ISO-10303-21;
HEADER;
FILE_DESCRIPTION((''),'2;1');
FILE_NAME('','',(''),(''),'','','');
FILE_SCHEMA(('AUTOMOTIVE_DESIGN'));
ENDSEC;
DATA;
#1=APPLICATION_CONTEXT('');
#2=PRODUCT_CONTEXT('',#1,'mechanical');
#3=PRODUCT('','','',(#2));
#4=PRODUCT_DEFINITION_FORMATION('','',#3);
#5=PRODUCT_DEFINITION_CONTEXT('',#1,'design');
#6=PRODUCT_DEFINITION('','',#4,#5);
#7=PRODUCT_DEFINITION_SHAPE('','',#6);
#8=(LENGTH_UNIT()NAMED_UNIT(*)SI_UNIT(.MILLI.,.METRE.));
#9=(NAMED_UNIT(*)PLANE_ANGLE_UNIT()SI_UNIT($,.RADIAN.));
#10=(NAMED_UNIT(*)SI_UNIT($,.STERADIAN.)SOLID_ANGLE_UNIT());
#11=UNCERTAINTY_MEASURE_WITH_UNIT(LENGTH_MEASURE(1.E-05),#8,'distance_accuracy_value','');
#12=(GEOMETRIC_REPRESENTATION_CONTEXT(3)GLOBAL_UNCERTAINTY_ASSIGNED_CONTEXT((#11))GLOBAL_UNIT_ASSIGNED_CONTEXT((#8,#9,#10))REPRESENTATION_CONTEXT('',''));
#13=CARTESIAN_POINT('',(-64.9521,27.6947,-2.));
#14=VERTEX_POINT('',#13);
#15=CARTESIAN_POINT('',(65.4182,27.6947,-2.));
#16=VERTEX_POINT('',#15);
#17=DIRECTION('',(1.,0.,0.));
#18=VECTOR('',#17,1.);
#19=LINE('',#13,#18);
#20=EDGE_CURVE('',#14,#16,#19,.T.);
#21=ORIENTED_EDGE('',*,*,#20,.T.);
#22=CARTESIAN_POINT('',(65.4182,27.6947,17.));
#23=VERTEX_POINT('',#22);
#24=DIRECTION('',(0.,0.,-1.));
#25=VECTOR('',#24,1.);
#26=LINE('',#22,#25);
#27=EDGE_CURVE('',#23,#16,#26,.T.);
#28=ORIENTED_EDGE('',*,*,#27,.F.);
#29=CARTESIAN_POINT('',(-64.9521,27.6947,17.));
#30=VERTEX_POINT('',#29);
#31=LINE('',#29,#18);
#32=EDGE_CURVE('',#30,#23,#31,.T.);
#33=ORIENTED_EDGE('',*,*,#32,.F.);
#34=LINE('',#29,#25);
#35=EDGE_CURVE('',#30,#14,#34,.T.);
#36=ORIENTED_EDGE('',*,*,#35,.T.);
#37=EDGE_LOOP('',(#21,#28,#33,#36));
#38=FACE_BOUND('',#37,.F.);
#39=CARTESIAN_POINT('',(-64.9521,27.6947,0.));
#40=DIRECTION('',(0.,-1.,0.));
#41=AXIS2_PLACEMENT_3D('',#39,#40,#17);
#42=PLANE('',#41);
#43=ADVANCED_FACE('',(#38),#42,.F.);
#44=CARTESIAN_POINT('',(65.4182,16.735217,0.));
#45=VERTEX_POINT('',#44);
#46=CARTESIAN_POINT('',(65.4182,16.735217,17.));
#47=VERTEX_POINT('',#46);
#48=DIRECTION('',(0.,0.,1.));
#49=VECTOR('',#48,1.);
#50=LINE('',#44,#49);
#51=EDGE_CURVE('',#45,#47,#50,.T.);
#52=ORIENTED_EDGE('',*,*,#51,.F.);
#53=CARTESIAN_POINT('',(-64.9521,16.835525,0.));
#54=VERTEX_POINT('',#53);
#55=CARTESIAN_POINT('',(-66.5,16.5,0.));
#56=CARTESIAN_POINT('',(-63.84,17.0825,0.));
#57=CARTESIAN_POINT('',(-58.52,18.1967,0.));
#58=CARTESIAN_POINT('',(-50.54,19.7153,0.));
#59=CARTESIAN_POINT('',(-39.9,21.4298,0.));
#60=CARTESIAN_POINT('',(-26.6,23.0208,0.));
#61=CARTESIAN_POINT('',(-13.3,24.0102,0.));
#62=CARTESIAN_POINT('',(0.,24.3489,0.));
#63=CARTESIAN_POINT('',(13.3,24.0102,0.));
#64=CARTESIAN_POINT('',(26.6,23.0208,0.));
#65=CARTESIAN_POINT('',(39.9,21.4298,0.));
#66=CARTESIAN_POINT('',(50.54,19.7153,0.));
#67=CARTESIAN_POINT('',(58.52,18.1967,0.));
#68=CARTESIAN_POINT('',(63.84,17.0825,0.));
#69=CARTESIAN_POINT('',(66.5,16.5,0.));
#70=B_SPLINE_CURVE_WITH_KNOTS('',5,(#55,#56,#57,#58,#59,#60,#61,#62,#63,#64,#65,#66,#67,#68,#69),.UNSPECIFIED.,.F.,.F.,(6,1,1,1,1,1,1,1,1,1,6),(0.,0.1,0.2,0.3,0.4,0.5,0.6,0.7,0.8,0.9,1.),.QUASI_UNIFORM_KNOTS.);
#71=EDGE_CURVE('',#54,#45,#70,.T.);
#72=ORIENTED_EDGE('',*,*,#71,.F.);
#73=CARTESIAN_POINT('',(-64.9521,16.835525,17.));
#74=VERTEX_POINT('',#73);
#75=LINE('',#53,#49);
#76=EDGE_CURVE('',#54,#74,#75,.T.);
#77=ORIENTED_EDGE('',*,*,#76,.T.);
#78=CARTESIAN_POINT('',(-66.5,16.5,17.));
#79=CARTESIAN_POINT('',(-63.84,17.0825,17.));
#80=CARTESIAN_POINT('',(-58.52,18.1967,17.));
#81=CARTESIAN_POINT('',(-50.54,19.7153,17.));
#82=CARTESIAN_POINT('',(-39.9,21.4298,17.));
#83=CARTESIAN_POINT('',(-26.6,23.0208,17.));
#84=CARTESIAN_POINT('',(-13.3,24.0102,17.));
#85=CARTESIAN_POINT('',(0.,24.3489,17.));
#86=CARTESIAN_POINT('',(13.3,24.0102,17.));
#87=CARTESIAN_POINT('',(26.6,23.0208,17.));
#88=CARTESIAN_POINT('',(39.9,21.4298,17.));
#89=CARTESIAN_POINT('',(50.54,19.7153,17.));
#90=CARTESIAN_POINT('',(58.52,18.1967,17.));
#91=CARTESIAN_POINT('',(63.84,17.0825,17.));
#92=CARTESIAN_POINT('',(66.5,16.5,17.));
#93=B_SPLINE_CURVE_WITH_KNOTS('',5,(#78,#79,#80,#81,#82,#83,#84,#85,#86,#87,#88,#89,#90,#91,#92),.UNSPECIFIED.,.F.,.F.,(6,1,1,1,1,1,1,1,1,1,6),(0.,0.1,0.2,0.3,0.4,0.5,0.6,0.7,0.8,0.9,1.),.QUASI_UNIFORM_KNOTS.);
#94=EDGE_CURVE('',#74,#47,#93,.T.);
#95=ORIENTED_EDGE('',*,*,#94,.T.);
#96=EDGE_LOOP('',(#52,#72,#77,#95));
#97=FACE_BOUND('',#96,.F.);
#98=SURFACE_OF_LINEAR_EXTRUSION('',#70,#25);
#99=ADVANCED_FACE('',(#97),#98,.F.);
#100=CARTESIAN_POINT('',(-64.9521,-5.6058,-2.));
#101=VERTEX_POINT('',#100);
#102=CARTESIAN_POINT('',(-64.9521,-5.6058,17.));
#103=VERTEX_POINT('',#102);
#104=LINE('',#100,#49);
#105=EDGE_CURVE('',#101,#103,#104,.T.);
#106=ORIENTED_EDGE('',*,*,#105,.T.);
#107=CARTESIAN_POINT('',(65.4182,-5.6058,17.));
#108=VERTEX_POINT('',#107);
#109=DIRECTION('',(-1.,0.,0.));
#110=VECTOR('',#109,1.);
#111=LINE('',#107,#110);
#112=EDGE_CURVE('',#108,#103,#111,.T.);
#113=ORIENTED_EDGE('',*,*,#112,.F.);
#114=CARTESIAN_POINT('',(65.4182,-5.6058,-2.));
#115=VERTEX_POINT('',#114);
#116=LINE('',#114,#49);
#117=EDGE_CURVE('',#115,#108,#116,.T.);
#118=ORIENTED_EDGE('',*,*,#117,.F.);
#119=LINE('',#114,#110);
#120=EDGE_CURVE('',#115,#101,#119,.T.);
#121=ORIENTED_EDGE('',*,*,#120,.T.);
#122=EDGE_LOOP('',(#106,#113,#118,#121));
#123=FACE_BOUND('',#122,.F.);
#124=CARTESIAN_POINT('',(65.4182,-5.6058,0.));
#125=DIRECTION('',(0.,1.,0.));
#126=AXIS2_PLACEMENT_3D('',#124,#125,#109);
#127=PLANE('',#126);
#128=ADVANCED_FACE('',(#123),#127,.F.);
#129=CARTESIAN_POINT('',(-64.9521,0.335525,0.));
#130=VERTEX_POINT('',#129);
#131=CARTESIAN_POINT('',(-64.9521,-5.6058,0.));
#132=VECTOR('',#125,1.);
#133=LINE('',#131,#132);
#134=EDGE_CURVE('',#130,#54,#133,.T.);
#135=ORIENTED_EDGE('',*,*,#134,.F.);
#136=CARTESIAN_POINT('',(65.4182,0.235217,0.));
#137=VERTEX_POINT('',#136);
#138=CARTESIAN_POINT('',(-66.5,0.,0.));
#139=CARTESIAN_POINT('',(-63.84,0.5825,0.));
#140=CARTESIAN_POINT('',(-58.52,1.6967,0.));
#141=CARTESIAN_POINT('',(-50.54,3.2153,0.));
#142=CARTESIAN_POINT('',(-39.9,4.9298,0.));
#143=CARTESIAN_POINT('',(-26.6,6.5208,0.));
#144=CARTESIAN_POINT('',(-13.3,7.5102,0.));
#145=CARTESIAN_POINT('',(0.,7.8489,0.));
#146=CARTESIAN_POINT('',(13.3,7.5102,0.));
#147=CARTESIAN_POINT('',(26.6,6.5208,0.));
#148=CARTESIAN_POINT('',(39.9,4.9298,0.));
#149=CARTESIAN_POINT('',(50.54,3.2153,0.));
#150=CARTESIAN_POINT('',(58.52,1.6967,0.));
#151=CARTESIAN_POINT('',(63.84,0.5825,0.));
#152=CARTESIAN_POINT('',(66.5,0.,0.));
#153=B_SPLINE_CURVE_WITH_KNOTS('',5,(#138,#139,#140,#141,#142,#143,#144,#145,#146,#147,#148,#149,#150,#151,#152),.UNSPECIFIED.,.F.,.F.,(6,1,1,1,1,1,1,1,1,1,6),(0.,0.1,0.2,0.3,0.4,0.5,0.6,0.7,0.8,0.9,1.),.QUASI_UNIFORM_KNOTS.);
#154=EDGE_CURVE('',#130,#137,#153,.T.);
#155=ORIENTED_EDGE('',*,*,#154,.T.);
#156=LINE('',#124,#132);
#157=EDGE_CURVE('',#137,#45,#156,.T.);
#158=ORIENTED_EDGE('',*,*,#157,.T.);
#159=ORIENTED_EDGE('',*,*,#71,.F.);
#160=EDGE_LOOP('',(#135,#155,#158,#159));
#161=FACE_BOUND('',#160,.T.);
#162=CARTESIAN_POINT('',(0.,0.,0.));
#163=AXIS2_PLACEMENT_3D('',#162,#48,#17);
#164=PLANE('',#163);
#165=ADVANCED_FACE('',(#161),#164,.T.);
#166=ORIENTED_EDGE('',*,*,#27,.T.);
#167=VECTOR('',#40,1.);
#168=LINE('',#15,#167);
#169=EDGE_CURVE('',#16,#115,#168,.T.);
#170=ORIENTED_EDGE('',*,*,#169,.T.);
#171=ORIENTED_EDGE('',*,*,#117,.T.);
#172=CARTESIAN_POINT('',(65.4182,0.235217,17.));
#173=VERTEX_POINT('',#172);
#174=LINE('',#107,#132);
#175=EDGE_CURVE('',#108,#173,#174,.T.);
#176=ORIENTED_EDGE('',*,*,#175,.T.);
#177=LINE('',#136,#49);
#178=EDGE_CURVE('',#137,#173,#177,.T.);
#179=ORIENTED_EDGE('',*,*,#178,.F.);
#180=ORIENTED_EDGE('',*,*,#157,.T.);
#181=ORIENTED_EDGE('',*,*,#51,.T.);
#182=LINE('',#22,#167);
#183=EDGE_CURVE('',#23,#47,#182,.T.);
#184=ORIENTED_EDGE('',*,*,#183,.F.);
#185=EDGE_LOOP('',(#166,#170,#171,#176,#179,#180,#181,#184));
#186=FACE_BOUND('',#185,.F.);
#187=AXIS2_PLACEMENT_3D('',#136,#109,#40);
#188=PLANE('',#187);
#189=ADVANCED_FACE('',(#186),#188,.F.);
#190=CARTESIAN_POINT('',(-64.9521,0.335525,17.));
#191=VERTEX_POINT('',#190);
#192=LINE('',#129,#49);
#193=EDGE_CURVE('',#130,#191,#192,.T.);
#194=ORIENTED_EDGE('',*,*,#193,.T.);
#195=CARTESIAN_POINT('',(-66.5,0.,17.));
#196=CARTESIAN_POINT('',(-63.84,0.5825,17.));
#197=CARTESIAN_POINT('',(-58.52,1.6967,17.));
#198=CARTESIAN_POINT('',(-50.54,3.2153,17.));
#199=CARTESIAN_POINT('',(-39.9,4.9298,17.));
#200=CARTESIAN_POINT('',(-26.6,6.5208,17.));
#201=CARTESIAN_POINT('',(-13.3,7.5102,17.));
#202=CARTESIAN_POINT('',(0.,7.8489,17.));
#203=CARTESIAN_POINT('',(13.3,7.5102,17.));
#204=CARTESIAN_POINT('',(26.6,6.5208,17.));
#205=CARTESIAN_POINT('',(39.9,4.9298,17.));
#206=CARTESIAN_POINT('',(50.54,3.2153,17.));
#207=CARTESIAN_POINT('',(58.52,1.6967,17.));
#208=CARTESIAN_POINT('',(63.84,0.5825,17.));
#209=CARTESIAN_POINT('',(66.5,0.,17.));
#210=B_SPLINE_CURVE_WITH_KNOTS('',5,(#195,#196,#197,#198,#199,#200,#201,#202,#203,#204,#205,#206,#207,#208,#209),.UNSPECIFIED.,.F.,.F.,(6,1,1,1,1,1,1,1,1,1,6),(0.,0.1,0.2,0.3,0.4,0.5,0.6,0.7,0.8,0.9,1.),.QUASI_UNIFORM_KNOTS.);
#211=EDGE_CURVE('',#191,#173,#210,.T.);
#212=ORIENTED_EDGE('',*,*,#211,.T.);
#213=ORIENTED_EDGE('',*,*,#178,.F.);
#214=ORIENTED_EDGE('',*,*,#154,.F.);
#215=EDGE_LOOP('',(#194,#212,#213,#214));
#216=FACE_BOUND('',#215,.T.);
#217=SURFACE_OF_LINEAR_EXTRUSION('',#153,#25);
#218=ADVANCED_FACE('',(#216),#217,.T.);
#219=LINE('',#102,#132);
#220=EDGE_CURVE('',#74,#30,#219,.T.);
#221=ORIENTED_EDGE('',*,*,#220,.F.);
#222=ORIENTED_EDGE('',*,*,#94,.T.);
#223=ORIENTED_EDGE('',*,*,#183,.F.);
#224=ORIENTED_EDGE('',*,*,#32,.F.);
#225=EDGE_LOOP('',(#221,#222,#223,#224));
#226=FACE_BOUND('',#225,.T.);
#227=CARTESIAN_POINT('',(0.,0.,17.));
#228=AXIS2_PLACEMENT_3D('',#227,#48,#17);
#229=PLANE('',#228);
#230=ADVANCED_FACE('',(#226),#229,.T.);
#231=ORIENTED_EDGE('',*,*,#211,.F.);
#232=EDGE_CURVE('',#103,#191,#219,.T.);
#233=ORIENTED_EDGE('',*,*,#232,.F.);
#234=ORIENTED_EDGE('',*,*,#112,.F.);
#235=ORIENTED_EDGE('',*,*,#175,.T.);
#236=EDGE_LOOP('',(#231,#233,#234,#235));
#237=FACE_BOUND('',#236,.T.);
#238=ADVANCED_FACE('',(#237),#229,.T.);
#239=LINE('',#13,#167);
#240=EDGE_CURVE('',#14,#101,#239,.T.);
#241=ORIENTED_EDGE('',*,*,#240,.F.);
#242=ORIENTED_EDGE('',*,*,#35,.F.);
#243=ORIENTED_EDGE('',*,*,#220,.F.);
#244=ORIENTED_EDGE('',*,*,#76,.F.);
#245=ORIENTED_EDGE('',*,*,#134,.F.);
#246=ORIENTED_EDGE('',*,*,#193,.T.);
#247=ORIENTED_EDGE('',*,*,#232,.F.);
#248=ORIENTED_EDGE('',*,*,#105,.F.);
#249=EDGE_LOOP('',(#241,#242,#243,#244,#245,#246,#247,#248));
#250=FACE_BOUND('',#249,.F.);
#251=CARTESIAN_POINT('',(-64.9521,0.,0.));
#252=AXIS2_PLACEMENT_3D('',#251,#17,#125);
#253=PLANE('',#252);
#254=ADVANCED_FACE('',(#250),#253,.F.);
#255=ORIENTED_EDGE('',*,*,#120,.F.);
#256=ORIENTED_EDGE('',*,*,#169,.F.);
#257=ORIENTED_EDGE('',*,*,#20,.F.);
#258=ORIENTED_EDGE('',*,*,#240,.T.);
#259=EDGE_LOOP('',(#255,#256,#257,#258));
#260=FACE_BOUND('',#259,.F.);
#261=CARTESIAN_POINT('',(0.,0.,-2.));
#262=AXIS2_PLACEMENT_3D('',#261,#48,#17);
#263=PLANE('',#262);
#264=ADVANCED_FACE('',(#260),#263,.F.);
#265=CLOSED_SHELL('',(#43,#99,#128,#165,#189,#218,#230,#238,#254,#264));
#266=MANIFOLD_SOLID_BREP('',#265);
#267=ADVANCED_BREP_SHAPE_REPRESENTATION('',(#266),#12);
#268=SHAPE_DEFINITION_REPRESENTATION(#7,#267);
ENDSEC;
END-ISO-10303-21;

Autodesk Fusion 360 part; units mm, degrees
sketch "arc-thing" plane through (0, 0, 0) normal (0, 0, 1) x (1, 0, 0)
  line L0 (-66.5, 0) -> (66.5, 0)
  line L1 (66.5, 0) -> (66.5, -25)
  line L2 (66.5, -25) -> (-66.5, -25)
  line L3 (-66.5, -25) -> (-66.5, 0)
  spline S0 degree 5 poles (-66.5, 0) (-63.84, 0.5825) (-58.52, 1.6967) (-50.54, 3.2153) (-39.9, 4.9298) (-26.6, 6.5208) (-13.3, 7.5102) (0, 7.8489) (13.3, 7.5102) (26.6, 6.5208) (39.9, 4.9298) (50.54, 3.2153) (58.52, 1.6967) (63.84, 0.5825) (66.5, 0) knots 0 0 0 0 0 0 0.1 0.2 0.3 0.4 0.5 0.6 0.7 0.8 0.9 1 1 1 1 1 1
  spline S1 degree 5 poles (-66.5, 16.5) (-63.84, 17.0825) (-58.52, 18.1967) (-50.54, 19.7153) (-39.9, 21.4298) (-26.6, 23.0208) (-13.3, 24.0102) (0, 24.3489) (13.3, 24.0102) (26.6, 23.0208) (39.9, 21.4298) (50.54, 19.7153) (58.52, 18.1967) (63.84, 17.0825) (66.5, 16.5) knots 0 0 0 0 0 0 0.1 0.2 0.3 0.4 0.5 0.6 0.7 0.8 0.9 1 1 1 1 1 1
  line L4 (-66.5, 16.5) -> (-66.5, 0)
  line L5 (66.5, 16.5) -> (66.5, 0)
  line L6 (-64.9521, 27.6947) -> (65.4182, 27.6947)
  line L7 (65.4182, 27.6947) -> (65.4182, -5.6058)
  line L8 (65.4182, -5.6058) -> (-64.9521, -5.6058)
  line L9 (-64.9521, -5.6058) -> (-64.9521, 27.6947)
  point P0 (0, 7.68)
  point P1 (0, 24.18)
  dimension "d3" = 133
  dimension "d4" = 7.68
  dimension "d5" = 133
extrude "Extrude1" add sketch "arc-thing" against normal blind 2 contours L0 S0 L7 L9 | L0 L7 L8 L9 | S0 S1 L7 L9 | S1 L6 L7 L9
extrude "Extrude2" add sketch "arc-thing" along normal blind 17 contours L0 S0 L7 L9 | L0 L7 L8 L9 | S1 L6 L7 L9
equation "arc_w = 133 mm"
equation "arc_h = 7.68 mm"
equation "d3 = arc_w"
equation "d4 = arc_h"
equation "d5 = arc_w"
